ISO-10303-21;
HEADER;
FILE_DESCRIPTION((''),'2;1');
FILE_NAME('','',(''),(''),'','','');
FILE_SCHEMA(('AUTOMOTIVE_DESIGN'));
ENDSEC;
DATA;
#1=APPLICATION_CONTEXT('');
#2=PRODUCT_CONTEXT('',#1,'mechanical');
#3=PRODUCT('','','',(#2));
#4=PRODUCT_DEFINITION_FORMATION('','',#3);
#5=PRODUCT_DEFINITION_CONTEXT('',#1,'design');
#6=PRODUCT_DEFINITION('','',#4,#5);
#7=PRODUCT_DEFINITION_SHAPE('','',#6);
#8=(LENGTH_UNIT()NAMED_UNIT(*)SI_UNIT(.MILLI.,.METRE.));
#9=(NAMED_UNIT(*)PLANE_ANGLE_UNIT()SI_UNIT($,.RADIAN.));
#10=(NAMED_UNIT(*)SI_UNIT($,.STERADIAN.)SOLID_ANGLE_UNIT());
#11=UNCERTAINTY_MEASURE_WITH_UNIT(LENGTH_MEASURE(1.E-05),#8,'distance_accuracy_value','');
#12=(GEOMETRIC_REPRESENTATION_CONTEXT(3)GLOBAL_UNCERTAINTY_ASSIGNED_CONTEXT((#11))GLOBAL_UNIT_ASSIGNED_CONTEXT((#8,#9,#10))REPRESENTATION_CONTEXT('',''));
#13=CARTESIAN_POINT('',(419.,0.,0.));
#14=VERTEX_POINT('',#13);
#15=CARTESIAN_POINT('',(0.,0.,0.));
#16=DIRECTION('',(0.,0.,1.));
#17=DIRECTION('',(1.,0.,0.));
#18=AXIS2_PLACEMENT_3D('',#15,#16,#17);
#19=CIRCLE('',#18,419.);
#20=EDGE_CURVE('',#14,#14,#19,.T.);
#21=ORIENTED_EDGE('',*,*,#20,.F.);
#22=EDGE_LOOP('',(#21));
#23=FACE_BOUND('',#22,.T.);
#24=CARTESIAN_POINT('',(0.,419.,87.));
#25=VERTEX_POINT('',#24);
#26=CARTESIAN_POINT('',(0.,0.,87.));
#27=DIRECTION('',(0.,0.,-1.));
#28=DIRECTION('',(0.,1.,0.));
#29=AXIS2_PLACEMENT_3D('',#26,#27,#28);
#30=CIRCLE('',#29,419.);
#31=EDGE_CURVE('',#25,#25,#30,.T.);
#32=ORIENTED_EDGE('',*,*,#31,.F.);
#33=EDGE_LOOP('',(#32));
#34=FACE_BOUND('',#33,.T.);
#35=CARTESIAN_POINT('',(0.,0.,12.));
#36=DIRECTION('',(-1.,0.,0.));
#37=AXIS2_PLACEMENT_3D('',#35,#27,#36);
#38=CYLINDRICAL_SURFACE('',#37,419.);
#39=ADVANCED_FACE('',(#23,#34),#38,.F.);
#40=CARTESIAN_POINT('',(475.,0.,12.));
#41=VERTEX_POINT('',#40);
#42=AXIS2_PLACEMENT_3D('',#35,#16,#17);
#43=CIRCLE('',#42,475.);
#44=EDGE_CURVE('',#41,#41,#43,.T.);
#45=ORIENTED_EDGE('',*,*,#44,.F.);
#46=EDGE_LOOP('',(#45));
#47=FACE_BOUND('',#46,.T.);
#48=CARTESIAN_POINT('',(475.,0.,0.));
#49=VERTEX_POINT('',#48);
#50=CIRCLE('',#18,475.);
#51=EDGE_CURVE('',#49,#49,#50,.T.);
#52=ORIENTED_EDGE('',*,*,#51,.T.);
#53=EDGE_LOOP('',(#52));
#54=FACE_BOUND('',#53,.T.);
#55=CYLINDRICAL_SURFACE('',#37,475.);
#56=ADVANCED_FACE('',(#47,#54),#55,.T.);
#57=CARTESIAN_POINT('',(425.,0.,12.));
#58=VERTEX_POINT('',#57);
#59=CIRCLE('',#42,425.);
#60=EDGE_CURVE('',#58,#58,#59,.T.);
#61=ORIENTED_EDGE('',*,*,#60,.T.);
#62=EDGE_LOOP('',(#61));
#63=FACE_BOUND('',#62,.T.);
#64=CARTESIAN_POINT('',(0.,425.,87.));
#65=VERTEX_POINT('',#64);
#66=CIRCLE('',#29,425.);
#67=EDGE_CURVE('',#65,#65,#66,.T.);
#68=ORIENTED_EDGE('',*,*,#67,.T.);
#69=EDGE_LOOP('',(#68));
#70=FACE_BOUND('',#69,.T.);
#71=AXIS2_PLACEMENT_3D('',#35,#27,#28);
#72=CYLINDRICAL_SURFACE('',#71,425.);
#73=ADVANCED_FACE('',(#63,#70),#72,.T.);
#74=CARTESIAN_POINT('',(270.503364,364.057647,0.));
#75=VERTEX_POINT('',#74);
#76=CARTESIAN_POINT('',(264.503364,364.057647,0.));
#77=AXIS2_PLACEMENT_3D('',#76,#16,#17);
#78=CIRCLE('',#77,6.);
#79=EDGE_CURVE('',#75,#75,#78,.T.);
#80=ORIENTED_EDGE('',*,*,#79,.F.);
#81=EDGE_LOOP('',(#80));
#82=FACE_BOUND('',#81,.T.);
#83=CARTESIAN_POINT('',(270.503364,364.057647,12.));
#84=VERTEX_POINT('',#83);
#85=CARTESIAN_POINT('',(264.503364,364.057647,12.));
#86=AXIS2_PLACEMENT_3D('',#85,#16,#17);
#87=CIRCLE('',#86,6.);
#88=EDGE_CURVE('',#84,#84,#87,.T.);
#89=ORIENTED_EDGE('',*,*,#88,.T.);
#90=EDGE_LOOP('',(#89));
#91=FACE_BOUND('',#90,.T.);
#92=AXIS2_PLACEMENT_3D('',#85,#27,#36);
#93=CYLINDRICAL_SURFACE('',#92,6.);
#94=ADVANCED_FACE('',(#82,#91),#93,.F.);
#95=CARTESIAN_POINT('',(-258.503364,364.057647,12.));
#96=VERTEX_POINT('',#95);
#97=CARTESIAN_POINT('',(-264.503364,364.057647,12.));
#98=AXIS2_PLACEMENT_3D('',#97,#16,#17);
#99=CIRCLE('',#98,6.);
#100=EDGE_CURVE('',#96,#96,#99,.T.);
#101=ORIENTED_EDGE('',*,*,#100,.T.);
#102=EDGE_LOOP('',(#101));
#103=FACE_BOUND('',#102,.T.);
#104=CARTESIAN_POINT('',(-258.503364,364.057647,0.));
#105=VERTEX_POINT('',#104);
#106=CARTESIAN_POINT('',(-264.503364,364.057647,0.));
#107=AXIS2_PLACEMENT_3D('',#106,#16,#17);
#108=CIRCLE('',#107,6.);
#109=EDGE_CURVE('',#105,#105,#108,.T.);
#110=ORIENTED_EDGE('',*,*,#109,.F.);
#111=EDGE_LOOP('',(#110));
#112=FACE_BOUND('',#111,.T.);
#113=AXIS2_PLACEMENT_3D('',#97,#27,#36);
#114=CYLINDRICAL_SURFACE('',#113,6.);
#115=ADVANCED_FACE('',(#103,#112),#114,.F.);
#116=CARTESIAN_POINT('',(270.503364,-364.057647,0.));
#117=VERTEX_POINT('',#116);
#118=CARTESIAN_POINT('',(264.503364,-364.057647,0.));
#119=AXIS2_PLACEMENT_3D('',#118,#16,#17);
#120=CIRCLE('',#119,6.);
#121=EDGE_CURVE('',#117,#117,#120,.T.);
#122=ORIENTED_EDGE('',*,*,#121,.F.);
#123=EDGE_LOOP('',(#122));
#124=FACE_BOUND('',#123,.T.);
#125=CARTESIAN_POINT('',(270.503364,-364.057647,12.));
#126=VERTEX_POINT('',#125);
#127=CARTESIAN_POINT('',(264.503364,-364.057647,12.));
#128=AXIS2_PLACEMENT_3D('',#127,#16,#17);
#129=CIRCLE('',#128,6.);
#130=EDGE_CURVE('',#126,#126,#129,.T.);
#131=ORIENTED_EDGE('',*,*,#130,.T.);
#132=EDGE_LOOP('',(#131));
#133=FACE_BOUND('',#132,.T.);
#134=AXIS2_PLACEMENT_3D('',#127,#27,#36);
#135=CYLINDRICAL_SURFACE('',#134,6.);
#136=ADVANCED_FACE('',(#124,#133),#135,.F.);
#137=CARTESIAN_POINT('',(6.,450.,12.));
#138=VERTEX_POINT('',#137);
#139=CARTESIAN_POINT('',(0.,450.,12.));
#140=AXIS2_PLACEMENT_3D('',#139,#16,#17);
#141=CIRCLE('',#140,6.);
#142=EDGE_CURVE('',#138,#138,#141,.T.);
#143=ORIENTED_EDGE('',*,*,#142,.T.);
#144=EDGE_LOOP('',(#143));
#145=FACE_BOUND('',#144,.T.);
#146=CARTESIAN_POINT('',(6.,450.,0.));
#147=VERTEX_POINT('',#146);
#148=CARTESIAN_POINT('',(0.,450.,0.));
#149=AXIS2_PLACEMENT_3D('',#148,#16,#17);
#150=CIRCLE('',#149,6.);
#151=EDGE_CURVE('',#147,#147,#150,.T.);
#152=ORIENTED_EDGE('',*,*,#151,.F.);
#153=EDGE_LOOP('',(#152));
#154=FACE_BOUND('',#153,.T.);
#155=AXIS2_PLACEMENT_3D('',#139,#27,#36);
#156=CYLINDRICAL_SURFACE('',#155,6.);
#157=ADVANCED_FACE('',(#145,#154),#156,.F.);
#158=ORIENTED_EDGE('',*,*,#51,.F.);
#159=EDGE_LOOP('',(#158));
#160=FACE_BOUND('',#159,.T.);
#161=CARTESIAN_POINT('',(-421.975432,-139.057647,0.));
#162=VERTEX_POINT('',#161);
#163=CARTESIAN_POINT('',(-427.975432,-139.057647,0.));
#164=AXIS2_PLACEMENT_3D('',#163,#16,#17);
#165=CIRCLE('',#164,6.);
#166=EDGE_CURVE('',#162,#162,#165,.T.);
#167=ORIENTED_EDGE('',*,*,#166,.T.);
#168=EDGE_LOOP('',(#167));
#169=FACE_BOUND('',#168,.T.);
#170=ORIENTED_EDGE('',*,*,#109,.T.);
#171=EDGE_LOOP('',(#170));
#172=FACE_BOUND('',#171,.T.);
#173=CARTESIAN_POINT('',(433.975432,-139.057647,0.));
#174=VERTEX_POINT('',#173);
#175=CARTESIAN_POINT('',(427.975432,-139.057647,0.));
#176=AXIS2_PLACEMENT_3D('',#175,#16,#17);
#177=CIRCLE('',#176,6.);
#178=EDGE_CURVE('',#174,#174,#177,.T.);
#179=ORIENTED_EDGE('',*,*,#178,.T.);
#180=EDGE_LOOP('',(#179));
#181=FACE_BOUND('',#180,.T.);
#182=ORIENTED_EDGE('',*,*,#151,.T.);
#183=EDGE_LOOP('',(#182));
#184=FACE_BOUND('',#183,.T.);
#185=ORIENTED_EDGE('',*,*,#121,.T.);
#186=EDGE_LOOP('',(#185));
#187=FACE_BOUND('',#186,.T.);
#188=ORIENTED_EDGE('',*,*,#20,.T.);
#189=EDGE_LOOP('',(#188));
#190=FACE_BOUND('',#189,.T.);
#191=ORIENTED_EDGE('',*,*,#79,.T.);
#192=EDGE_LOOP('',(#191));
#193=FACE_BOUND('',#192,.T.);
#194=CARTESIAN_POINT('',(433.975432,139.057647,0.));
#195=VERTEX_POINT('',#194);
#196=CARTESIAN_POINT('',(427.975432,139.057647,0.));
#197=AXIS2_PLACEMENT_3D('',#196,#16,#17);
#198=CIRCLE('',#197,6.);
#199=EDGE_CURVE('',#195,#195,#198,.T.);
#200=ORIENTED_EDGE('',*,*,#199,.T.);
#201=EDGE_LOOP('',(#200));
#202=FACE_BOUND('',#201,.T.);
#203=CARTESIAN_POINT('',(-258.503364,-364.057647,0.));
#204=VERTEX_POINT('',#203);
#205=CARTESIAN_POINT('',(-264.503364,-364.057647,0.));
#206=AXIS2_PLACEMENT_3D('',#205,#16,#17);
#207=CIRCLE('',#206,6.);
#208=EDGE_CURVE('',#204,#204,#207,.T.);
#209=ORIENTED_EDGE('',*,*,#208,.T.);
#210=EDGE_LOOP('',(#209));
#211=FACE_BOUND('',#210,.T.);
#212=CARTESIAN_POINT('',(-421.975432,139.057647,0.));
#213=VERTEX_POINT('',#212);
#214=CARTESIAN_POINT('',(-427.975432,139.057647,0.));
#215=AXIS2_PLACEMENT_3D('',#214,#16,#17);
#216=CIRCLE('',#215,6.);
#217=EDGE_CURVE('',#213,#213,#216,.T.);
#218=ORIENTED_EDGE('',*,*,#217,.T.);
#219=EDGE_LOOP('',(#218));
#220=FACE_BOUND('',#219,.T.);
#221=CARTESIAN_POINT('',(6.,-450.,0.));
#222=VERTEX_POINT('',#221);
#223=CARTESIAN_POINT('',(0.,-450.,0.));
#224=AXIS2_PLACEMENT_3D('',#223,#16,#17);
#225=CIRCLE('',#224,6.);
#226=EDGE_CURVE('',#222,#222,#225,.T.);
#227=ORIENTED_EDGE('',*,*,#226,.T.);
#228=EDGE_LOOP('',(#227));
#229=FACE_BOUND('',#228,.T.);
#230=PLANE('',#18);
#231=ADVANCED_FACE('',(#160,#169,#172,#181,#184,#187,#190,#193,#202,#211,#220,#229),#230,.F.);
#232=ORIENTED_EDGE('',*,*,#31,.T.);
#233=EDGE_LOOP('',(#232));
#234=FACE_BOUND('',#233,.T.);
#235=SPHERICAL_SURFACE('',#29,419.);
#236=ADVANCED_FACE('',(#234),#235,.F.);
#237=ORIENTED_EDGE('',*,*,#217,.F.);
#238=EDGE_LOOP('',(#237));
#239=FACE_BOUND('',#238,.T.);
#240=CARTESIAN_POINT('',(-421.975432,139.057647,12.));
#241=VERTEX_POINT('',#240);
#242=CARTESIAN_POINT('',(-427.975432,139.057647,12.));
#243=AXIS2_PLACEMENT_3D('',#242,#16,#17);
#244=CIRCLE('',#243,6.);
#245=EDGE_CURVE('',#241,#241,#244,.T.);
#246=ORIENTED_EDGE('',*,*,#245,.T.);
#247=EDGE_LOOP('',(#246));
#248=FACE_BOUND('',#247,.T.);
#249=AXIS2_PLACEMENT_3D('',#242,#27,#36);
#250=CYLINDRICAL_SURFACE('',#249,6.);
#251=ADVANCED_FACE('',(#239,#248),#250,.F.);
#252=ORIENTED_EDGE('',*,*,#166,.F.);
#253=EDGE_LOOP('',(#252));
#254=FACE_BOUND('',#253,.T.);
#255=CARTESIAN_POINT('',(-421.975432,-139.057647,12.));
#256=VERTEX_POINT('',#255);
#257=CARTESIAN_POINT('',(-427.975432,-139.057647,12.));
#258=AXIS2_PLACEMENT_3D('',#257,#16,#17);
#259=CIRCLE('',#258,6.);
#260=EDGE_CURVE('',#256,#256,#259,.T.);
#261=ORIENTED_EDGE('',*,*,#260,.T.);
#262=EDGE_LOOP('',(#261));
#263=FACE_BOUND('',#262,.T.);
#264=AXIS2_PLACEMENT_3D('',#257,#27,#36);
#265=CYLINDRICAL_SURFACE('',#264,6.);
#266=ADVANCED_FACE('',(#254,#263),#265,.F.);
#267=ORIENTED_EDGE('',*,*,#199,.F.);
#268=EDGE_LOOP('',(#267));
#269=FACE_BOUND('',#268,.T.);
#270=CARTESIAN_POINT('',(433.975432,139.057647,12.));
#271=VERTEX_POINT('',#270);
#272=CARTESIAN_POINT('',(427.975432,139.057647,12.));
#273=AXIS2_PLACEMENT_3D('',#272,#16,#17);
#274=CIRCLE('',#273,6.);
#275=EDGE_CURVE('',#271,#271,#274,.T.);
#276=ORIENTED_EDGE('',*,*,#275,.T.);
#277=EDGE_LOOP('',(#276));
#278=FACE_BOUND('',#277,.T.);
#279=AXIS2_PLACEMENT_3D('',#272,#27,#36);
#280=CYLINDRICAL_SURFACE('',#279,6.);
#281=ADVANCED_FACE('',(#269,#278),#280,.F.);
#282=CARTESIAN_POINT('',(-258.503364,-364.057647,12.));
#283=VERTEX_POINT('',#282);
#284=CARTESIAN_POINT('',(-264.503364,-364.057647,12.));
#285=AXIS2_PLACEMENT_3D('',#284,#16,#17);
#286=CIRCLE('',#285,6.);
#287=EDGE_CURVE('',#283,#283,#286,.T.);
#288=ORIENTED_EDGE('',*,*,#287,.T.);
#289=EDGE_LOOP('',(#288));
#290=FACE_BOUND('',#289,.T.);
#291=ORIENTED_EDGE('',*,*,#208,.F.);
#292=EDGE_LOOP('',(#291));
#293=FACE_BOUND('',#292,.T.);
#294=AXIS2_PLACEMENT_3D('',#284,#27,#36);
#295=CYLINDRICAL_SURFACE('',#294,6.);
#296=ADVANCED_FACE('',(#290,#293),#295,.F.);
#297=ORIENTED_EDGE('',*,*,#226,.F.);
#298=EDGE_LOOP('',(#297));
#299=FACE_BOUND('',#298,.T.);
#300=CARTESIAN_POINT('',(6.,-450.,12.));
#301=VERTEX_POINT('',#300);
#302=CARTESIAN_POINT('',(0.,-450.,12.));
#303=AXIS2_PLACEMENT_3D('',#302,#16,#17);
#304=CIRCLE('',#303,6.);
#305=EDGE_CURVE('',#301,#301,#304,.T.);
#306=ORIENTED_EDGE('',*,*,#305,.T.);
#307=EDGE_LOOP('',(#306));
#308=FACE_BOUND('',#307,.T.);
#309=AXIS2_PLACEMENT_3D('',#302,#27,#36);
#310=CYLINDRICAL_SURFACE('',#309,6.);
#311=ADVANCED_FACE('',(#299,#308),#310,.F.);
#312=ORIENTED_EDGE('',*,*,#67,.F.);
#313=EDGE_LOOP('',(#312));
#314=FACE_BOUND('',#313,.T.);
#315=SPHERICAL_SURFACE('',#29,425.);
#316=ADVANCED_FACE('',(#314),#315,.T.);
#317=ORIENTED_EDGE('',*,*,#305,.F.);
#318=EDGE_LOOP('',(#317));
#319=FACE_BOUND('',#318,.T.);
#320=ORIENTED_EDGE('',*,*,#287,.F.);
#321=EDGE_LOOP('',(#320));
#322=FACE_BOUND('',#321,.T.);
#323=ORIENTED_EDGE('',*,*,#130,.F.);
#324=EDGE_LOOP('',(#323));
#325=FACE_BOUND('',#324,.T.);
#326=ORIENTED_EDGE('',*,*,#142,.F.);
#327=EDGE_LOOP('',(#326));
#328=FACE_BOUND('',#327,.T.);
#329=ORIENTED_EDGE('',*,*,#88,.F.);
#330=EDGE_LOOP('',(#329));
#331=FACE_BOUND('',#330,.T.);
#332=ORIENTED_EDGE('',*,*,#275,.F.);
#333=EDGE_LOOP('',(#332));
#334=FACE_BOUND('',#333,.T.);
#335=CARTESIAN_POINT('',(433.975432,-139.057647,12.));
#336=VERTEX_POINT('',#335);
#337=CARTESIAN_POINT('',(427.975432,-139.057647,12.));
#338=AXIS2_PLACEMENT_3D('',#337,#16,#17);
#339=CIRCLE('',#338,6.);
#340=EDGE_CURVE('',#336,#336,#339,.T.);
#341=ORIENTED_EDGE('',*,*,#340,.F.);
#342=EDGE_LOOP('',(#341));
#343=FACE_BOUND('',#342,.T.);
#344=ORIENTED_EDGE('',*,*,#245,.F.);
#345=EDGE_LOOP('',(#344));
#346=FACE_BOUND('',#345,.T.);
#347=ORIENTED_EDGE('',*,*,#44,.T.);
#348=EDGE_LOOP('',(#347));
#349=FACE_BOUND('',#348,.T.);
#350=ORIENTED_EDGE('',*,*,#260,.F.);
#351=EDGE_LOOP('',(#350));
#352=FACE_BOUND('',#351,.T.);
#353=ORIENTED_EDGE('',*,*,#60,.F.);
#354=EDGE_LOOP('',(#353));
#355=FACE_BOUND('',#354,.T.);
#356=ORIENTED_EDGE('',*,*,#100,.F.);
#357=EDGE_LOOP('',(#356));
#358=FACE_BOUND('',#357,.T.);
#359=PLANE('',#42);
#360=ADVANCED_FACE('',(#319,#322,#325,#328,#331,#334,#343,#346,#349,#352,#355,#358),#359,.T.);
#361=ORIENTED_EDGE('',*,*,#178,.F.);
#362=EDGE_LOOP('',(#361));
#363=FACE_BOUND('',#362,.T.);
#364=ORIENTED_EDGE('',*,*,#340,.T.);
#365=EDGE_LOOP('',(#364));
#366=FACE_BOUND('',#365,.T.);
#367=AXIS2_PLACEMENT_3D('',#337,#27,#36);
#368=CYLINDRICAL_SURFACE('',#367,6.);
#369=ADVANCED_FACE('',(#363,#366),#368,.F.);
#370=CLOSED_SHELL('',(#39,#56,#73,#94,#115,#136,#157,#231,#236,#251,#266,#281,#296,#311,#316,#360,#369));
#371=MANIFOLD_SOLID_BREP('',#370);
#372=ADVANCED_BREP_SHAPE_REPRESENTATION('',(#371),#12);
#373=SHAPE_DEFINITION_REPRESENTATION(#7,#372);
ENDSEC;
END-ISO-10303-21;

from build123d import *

# Parameters (mm, degrees)
SKETCH1_R           = 475
SKETCH1_R_2         = 6
SKETCH1_R_3         = 419
BOSS_EXTRUDE1_DEPTH = 12


with BuildPart() as part:
    # Sketch1 → Boss-Extrude1 (new body)
    with BuildSketch(Plane.XY):
        Circle(SKETCH1_R)
        with Locations((0, 450)):
            Circle(SKETCH1_R_2, mode=Mode.SUBTRACT)
        with Locations((264.503363532, 364.057647469)):
            Circle(SKETCH1_R_2, mode=Mode.SUBTRACT)
        with Locations((427.975432333, 139.057647469)):
            Circle(SKETCH1_R_2, mode=Mode.SUBTRACT)
        with Locations((427.975432333, -139.057647469)):
            Circle(SKETCH1_R_2, mode=Mode.SUBTRACT)
        with Locations((264.503363532, -364.057647469)):
            Circle(SKETCH1_R_2, mode=Mode.SUBTRACT)
        with Locations((0, -450)):
            Circle(SKETCH1_R_2, mode=Mode.SUBTRACT)
        with Locations((-264.503363532, -364.057647469)):
            Circle(SKETCH1_R_2, mode=Mode.SUBTRACT)
        with Locations((-427.975432333, -139.057647469)):
            Circle(SKETCH1_R_2, mode=Mode.SUBTRACT)
        with Locations((-427.975432333, 139.057647469)):
            Circle(SKETCH1_R_2, mode=Mode.SUBTRACT)
        with Locations((-264.503363532, 364.057647469)):
            Circle(SKETCH1_R_2, mode=Mode.SUBTRACT)
        Circle(SKETCH1_R_3, mode=Mode.SUBTRACT)
    extrude(amount=BOSS_EXTRUDE1_DEPTH)

    # Sketch4 → Revolve2 (revolve)
    with BuildSketch(Plane(origin=(0, 0, 0), x_dir=(0, 0, -1), z_dir=(1, 0, 0))):
        with BuildLine():
            Line((-12, 425), (-87, 425))
            ThreePointArc((-87, 425), (-387.520382004, 300.520382004), (-512, 0))
            Line((-512, 0), (-506, 0))
            ThreePointArc((-506, 0), (-383.277741317, 296.277741317), (-87, 419))
            Line((-87, 419), (-12, 419))
            Line((-12, 419), (-12, 425))
        make_face()
    revolve(axis=Axis((0, 0, 12), (0, 0, 1)))


solid = part.part
